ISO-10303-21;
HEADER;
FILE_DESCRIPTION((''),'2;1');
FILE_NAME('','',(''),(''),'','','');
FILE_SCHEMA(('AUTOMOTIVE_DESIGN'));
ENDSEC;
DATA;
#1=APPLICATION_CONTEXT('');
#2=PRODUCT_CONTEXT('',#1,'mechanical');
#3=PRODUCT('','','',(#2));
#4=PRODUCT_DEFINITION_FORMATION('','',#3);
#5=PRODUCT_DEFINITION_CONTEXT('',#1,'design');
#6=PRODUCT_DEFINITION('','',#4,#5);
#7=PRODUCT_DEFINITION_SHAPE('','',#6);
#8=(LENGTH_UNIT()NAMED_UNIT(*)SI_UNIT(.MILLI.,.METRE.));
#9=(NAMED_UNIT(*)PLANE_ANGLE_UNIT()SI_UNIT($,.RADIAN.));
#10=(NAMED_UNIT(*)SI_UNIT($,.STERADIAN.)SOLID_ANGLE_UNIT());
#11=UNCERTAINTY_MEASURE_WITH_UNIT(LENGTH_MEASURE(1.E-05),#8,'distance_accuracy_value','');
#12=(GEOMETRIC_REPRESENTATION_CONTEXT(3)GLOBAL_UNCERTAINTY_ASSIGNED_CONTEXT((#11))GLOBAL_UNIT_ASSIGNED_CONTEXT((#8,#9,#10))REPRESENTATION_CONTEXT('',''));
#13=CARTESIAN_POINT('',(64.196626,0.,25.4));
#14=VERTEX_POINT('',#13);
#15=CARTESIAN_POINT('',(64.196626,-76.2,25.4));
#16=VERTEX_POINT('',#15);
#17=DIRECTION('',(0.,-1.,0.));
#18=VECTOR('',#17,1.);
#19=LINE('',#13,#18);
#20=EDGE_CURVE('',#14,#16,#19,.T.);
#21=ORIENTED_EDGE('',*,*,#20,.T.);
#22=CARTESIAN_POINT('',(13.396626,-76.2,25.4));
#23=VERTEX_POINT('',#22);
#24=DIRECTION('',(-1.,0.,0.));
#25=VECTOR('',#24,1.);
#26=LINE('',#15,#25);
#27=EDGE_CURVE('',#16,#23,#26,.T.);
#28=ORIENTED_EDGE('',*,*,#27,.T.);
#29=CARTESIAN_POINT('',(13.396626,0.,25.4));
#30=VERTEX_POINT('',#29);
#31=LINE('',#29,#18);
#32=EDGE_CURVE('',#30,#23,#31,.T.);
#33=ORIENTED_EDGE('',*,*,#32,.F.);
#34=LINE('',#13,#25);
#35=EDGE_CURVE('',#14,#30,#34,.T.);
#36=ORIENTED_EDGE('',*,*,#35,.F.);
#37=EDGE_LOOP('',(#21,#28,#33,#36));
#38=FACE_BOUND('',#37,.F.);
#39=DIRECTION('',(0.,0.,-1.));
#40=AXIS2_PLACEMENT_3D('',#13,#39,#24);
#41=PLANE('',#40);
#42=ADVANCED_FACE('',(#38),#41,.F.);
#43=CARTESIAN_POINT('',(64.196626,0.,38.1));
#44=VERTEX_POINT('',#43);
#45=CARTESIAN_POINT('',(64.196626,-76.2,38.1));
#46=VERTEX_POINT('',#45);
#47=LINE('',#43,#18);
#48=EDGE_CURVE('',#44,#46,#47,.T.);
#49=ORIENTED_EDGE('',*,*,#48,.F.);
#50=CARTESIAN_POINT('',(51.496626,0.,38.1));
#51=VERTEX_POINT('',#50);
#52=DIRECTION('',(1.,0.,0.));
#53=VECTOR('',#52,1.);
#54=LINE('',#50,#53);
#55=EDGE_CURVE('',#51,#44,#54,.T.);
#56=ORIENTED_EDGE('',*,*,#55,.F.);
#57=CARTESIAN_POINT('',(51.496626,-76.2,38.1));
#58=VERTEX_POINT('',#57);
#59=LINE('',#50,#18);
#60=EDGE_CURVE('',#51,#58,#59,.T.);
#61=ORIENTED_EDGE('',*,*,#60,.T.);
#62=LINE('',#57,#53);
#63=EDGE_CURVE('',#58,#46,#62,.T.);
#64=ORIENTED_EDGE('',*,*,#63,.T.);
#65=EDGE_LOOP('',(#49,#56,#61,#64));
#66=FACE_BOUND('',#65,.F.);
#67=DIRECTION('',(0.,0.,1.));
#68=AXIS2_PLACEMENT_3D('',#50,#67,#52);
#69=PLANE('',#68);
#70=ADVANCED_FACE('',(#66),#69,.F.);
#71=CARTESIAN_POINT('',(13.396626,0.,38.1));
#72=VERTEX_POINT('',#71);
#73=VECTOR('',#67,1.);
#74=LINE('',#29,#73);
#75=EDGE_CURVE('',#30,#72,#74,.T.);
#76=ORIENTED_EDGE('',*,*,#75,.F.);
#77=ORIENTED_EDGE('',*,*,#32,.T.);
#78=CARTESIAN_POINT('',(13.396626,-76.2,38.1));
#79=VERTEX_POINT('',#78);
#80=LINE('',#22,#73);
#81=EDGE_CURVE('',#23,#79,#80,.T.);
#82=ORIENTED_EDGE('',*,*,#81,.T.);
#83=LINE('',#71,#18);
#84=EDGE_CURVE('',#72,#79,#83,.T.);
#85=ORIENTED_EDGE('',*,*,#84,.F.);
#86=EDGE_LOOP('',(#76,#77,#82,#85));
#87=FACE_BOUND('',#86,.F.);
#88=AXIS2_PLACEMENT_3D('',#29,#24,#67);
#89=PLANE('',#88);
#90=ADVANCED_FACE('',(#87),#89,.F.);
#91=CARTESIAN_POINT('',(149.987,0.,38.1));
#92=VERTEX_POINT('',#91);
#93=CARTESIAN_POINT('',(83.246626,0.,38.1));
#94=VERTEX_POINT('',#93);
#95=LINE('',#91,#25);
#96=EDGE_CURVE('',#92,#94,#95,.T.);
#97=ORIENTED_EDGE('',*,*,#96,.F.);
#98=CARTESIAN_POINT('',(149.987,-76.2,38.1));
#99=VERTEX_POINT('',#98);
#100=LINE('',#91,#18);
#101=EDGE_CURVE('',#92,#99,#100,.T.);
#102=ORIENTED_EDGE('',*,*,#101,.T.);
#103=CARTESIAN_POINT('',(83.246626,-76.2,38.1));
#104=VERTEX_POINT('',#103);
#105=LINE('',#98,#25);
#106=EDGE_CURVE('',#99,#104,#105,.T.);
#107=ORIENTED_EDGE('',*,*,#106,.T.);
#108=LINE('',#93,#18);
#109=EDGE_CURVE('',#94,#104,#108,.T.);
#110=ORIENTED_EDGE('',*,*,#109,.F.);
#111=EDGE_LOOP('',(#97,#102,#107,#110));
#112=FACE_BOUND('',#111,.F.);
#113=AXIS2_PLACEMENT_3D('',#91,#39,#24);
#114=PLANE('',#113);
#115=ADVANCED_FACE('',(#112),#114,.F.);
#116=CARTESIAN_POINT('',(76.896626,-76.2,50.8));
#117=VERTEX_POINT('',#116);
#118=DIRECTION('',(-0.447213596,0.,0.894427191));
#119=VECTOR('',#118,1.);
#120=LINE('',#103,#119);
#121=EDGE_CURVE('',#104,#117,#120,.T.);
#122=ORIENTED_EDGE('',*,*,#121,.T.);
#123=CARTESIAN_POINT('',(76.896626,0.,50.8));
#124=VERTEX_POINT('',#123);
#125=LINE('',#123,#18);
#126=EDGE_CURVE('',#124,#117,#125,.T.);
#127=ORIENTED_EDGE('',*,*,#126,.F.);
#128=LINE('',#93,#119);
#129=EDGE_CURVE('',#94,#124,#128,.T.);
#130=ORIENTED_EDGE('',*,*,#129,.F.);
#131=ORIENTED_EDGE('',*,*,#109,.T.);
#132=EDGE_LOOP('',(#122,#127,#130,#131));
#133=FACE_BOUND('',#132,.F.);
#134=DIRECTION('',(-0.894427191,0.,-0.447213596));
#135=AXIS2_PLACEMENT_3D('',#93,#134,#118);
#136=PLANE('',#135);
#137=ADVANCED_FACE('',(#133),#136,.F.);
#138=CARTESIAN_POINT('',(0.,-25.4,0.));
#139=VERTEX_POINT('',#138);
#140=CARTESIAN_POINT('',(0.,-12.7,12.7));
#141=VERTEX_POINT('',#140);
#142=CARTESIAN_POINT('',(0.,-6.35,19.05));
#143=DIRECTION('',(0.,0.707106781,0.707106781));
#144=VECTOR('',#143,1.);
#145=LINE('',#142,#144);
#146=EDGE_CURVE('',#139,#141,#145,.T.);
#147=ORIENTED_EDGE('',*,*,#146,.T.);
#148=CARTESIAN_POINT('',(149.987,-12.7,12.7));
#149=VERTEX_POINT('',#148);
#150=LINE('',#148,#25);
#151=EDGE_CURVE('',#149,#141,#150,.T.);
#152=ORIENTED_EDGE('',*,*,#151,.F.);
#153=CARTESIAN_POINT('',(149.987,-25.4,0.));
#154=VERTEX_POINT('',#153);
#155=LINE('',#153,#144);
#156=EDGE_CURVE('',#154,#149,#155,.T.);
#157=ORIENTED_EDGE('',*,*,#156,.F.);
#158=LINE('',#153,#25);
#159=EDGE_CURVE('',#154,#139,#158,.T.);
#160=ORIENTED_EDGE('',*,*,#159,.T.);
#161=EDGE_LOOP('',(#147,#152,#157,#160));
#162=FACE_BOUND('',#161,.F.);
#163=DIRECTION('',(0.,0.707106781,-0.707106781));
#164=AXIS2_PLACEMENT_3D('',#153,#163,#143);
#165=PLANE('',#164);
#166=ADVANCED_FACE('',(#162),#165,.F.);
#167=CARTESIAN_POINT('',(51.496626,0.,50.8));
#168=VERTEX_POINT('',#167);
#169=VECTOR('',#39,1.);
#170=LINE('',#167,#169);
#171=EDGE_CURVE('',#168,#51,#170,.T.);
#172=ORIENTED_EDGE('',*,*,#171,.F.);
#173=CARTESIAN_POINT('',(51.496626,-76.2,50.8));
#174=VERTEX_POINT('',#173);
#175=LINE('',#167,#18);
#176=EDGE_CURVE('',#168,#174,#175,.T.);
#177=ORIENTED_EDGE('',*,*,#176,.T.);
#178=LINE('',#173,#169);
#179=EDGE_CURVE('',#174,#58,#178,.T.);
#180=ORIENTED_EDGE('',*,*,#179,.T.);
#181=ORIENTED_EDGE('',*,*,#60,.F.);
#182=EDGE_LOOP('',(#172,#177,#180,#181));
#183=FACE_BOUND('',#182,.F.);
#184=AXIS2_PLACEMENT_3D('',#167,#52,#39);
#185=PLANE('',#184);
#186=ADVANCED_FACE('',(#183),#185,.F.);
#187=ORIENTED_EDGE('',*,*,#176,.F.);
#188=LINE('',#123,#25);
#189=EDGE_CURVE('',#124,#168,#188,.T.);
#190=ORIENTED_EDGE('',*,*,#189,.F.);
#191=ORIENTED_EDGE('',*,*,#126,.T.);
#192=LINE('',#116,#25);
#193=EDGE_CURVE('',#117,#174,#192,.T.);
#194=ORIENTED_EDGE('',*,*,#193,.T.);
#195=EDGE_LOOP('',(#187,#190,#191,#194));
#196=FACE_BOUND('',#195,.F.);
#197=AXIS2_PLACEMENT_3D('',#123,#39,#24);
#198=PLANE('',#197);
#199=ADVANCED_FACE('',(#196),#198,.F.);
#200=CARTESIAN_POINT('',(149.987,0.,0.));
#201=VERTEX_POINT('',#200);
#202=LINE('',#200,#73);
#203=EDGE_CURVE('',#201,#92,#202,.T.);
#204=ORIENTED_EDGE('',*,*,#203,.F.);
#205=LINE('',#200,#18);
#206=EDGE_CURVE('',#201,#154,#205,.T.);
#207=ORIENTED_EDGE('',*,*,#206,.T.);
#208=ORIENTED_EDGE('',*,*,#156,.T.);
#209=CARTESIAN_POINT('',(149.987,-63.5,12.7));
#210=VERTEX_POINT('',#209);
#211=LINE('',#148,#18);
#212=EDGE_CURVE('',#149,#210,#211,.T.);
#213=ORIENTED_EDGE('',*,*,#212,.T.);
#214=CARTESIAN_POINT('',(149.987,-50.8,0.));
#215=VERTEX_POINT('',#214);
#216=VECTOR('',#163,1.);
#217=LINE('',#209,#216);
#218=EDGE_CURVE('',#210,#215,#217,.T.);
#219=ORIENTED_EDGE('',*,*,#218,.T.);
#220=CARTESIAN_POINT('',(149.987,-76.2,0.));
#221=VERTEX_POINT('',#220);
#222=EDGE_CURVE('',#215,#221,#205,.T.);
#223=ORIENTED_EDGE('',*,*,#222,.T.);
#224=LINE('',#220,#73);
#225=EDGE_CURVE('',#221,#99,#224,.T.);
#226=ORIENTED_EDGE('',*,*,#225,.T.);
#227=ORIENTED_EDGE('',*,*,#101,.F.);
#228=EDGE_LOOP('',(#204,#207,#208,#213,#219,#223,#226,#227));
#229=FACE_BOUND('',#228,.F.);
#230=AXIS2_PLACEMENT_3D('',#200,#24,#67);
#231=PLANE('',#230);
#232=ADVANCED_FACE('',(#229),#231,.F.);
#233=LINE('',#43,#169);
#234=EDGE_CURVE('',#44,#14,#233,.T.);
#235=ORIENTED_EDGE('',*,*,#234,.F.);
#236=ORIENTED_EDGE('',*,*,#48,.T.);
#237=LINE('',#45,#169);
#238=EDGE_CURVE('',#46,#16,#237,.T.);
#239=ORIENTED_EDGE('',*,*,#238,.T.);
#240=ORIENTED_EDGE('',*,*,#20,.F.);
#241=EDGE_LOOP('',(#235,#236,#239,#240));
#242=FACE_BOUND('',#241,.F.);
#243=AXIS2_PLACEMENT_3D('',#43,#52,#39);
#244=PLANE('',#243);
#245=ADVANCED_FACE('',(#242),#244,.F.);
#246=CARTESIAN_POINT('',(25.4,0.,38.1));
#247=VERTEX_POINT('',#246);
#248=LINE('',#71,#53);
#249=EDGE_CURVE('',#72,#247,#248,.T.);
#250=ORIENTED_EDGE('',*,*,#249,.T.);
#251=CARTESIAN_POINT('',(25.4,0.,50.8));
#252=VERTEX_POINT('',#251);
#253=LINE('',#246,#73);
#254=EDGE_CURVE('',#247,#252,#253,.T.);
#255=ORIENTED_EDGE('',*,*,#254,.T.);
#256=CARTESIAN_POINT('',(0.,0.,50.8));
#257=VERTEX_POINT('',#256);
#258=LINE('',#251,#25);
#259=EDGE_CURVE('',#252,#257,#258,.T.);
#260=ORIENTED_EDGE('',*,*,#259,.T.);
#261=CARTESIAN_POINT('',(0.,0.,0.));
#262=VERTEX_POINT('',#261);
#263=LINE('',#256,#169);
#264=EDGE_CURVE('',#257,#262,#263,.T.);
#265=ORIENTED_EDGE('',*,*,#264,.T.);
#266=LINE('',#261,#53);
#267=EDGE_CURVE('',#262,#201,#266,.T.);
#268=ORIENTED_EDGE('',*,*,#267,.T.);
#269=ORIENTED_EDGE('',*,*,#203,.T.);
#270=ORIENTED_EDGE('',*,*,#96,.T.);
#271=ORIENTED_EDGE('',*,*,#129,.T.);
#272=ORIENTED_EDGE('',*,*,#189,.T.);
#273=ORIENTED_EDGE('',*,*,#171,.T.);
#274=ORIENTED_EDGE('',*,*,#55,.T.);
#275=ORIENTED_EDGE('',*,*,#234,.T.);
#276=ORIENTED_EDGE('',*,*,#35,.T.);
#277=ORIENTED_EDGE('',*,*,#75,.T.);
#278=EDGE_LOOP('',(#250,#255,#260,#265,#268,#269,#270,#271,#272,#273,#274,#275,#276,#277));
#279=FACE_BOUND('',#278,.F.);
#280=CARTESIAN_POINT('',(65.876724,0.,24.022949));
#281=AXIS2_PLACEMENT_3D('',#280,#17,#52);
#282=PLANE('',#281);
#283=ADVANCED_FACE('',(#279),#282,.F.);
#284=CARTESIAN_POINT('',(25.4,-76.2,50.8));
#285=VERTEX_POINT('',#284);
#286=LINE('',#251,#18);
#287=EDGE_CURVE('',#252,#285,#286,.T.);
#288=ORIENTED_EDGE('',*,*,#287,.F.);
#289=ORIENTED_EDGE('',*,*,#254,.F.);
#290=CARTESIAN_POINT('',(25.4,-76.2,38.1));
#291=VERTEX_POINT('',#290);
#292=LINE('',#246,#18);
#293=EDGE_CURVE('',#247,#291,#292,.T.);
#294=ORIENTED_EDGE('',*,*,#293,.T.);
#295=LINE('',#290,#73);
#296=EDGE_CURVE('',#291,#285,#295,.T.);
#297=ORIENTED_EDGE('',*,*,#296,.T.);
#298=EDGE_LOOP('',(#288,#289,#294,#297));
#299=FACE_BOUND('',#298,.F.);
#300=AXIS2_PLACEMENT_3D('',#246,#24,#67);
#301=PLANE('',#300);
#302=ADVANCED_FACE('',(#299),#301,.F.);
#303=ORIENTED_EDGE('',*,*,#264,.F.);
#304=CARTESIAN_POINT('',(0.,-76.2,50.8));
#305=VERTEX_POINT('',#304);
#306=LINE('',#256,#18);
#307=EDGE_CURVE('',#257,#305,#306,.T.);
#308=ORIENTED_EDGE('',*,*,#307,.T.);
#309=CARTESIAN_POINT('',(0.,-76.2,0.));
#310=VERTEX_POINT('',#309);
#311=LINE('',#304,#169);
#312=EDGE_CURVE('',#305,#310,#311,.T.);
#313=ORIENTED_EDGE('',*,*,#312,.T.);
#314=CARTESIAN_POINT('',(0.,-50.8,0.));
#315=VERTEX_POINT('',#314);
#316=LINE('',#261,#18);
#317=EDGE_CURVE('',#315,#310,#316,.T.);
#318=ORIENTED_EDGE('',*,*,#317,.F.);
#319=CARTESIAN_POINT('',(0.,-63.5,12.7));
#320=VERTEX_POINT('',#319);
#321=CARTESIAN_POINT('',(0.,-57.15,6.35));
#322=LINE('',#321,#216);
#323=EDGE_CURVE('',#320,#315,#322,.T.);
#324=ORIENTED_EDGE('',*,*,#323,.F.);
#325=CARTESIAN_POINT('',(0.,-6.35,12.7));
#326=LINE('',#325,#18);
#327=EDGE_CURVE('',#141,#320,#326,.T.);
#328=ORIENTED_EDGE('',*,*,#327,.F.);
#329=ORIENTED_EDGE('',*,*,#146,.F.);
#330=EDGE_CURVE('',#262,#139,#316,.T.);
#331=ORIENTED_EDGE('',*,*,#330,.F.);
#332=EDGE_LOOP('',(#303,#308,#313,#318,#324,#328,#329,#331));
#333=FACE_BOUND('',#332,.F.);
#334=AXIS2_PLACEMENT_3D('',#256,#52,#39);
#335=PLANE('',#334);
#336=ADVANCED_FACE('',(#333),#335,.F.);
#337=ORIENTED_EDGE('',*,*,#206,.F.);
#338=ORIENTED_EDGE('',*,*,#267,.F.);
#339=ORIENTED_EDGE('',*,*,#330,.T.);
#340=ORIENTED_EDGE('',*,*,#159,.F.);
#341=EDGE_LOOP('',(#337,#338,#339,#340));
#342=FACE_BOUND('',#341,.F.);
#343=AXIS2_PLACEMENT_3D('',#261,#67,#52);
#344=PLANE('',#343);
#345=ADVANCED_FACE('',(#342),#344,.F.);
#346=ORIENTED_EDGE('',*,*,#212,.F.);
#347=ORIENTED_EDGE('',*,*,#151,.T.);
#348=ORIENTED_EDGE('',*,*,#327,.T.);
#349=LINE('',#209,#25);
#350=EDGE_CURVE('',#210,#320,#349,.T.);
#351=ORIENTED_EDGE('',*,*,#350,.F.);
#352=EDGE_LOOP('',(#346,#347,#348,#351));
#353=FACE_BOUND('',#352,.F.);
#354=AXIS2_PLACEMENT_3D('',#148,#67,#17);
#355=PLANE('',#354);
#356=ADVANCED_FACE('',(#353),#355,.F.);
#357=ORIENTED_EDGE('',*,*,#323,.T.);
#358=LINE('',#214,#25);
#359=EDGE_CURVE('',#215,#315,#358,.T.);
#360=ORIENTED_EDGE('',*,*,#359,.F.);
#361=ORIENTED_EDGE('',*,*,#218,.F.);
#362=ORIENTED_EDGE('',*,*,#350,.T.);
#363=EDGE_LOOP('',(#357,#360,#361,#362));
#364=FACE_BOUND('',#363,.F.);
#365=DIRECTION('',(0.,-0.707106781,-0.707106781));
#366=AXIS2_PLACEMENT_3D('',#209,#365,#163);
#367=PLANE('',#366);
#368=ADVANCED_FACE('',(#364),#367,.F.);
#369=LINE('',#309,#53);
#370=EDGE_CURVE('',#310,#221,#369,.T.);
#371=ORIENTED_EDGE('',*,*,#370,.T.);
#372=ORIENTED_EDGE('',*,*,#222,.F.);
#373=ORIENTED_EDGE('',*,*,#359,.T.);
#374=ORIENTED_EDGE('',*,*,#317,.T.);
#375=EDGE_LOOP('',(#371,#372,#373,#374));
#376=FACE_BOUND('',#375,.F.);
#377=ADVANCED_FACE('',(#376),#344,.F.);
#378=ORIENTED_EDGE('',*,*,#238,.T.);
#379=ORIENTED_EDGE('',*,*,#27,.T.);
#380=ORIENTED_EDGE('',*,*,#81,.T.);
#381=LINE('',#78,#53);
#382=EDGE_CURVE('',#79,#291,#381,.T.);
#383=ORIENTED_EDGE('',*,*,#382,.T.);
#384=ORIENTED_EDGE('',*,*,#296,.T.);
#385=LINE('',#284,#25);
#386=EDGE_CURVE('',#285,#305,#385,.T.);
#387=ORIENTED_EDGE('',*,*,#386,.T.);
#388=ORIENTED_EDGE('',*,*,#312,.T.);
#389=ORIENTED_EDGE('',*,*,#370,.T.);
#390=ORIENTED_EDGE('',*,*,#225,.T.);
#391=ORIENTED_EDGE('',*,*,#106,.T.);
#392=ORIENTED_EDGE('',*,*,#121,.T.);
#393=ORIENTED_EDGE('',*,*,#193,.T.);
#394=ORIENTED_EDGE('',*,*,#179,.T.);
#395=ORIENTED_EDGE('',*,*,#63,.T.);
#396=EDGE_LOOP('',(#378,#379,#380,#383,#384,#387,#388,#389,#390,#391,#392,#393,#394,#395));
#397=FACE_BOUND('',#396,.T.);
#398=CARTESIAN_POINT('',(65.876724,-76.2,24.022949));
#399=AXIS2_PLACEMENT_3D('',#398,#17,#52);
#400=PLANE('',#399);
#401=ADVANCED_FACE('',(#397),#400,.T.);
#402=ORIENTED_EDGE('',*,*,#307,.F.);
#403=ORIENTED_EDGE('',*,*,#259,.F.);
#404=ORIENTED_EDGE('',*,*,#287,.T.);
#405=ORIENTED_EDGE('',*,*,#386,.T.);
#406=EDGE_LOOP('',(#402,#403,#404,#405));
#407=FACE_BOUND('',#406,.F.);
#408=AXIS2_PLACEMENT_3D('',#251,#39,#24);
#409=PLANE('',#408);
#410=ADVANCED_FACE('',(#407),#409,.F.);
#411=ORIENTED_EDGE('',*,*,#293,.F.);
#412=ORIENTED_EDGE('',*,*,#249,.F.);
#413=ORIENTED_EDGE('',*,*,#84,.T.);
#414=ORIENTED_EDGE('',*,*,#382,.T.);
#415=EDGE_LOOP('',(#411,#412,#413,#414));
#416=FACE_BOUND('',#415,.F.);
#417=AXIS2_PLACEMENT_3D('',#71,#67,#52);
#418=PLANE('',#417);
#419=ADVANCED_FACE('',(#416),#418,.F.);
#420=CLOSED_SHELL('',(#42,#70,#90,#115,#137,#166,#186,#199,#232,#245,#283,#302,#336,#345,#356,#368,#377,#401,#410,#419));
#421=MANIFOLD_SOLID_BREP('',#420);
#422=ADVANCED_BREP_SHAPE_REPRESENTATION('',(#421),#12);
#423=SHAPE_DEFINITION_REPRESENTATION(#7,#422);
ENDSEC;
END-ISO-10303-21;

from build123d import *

# Parameters (mm, degrees)
F1_DEPTH = 76.2
F3_DEPTH = 195.834


with BuildPart() as f1:
    # F0 (on Front) → F1 (new body)
    with BuildSketch(Plane.XZ):
        Polygon((0, 50.8), (0, 0), (149.987, 0), (149.987, 38.1), (99.187, 38.1), (83.246626, 38.1), (76.896626, 50.8), (51.496626, 50.8), (51.496626, 38.1), (64.196626, 38.1), (64.196626, 25.4), (13.396626, 25.4), (13.396626, 38.1), (25.4, 38.1), (25.4, 50.8), align=None)
    extrude(amount=F1_DEPTH)

    # F2 (on face) → F3 (cut)
    with BuildSketch(Plane.YZ.offset(149.987)):
        Polygon((-63.5, 12.7), (-50.8, 0), (-25.4, 0), (-12.7, 12.7), (-38.1, 12.7), align=None)
    extrude(amount=-F3_DEPTH, mode=Mode.SUBTRACT)


solid = f1.part
